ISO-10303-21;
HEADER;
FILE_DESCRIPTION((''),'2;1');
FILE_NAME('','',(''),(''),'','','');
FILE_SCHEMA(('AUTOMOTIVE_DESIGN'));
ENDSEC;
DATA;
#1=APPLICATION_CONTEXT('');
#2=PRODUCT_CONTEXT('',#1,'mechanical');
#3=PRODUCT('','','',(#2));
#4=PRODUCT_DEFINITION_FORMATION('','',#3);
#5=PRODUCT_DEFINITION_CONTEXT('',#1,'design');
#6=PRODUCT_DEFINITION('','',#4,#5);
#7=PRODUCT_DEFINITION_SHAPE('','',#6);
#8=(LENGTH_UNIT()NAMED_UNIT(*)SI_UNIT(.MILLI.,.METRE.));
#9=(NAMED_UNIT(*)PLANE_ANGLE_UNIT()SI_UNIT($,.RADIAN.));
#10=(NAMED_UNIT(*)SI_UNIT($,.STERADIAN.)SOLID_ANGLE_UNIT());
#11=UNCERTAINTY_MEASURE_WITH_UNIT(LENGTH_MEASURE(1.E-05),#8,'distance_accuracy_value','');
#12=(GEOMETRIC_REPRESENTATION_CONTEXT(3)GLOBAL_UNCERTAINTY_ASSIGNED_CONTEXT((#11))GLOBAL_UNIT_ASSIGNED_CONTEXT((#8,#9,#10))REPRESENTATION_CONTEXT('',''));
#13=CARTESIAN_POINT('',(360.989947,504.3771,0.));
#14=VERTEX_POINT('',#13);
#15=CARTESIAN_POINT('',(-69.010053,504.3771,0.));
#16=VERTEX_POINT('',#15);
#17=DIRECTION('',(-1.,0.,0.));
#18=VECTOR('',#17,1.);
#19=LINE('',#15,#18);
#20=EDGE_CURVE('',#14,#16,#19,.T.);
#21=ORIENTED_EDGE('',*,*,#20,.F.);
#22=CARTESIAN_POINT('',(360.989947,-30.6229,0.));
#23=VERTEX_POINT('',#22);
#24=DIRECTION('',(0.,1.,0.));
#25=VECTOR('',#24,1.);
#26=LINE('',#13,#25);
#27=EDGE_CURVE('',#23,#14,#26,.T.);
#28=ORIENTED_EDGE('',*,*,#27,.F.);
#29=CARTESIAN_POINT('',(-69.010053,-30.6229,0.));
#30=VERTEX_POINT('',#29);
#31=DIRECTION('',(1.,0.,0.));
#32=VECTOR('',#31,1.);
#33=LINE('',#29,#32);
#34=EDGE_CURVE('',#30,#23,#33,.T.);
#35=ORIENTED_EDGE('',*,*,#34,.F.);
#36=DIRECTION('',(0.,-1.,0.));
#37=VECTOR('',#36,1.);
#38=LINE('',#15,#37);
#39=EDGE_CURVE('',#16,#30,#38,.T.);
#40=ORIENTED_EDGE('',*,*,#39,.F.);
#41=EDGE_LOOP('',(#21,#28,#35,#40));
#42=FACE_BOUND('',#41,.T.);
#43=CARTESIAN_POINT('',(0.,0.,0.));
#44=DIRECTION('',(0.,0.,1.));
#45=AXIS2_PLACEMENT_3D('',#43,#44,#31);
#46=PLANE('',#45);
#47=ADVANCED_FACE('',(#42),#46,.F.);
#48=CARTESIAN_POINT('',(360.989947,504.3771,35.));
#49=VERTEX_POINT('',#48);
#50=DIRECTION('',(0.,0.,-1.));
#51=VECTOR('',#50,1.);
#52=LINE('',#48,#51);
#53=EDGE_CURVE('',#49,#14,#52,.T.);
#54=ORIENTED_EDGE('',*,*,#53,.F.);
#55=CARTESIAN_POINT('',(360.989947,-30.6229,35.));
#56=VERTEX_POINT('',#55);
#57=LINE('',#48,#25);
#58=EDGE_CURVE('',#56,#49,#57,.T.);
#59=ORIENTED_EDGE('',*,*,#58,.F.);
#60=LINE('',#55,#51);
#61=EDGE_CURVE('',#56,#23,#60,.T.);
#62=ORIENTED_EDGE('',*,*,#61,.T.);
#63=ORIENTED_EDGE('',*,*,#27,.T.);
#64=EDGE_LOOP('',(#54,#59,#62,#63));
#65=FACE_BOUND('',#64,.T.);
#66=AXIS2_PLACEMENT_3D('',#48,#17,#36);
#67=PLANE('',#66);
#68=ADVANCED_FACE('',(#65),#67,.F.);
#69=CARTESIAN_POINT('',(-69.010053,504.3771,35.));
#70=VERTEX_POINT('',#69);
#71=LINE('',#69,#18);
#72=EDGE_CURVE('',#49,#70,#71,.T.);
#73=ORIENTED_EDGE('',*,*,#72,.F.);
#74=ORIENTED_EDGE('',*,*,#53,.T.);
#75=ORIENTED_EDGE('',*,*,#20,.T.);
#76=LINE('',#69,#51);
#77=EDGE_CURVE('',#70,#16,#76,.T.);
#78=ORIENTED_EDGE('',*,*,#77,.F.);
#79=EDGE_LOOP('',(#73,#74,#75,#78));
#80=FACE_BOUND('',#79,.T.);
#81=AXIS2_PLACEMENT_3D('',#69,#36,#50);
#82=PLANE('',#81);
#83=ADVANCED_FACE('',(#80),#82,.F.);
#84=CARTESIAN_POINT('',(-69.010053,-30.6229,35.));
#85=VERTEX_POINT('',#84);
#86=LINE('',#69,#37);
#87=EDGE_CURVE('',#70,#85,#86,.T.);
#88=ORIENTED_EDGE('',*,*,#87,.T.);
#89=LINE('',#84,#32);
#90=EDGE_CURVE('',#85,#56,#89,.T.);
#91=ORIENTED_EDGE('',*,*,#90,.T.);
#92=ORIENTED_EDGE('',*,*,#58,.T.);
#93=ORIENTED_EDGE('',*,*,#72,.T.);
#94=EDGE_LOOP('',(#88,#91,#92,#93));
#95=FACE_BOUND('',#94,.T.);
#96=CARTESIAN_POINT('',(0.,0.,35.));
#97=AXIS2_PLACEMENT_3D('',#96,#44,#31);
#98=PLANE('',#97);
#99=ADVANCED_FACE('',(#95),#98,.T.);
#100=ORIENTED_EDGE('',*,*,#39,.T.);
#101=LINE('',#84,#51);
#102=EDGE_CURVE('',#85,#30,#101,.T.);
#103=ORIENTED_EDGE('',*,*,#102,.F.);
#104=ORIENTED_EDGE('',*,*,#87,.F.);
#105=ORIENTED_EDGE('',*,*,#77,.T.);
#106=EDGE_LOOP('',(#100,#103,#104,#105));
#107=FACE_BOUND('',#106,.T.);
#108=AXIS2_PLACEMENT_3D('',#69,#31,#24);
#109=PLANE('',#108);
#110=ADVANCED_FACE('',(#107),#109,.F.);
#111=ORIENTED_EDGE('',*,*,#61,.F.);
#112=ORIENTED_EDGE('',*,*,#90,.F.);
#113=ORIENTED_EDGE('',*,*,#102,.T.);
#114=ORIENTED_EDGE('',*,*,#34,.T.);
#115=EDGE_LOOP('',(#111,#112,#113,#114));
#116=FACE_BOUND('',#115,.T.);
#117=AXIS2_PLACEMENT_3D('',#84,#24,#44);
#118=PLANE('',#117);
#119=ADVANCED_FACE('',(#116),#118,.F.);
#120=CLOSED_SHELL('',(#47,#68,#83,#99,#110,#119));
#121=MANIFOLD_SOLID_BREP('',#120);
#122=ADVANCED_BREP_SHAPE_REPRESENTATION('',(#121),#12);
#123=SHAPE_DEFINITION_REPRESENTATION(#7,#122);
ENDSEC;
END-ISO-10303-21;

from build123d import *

# Parameters (mm, degrees)
IZIM1_W                     = 430
IZIM1_H                     = 535
Y_KSEKLIK_EKSTR_ZYON1_DEPTH = 35


with BuildPart() as part:
    # Çizim1 → Yükseklik-Ekstrüzyon1 (new body)
    with BuildSketch(Plane.XY):
        with Locations((145.989947256, 236.877099842)):
            Rectangle(IZIM1_W, IZIM1_H)
    extrude(amount=Y_KSEKLIK_EKSTR_ZYON1_DEPTH)


solid = part.part
